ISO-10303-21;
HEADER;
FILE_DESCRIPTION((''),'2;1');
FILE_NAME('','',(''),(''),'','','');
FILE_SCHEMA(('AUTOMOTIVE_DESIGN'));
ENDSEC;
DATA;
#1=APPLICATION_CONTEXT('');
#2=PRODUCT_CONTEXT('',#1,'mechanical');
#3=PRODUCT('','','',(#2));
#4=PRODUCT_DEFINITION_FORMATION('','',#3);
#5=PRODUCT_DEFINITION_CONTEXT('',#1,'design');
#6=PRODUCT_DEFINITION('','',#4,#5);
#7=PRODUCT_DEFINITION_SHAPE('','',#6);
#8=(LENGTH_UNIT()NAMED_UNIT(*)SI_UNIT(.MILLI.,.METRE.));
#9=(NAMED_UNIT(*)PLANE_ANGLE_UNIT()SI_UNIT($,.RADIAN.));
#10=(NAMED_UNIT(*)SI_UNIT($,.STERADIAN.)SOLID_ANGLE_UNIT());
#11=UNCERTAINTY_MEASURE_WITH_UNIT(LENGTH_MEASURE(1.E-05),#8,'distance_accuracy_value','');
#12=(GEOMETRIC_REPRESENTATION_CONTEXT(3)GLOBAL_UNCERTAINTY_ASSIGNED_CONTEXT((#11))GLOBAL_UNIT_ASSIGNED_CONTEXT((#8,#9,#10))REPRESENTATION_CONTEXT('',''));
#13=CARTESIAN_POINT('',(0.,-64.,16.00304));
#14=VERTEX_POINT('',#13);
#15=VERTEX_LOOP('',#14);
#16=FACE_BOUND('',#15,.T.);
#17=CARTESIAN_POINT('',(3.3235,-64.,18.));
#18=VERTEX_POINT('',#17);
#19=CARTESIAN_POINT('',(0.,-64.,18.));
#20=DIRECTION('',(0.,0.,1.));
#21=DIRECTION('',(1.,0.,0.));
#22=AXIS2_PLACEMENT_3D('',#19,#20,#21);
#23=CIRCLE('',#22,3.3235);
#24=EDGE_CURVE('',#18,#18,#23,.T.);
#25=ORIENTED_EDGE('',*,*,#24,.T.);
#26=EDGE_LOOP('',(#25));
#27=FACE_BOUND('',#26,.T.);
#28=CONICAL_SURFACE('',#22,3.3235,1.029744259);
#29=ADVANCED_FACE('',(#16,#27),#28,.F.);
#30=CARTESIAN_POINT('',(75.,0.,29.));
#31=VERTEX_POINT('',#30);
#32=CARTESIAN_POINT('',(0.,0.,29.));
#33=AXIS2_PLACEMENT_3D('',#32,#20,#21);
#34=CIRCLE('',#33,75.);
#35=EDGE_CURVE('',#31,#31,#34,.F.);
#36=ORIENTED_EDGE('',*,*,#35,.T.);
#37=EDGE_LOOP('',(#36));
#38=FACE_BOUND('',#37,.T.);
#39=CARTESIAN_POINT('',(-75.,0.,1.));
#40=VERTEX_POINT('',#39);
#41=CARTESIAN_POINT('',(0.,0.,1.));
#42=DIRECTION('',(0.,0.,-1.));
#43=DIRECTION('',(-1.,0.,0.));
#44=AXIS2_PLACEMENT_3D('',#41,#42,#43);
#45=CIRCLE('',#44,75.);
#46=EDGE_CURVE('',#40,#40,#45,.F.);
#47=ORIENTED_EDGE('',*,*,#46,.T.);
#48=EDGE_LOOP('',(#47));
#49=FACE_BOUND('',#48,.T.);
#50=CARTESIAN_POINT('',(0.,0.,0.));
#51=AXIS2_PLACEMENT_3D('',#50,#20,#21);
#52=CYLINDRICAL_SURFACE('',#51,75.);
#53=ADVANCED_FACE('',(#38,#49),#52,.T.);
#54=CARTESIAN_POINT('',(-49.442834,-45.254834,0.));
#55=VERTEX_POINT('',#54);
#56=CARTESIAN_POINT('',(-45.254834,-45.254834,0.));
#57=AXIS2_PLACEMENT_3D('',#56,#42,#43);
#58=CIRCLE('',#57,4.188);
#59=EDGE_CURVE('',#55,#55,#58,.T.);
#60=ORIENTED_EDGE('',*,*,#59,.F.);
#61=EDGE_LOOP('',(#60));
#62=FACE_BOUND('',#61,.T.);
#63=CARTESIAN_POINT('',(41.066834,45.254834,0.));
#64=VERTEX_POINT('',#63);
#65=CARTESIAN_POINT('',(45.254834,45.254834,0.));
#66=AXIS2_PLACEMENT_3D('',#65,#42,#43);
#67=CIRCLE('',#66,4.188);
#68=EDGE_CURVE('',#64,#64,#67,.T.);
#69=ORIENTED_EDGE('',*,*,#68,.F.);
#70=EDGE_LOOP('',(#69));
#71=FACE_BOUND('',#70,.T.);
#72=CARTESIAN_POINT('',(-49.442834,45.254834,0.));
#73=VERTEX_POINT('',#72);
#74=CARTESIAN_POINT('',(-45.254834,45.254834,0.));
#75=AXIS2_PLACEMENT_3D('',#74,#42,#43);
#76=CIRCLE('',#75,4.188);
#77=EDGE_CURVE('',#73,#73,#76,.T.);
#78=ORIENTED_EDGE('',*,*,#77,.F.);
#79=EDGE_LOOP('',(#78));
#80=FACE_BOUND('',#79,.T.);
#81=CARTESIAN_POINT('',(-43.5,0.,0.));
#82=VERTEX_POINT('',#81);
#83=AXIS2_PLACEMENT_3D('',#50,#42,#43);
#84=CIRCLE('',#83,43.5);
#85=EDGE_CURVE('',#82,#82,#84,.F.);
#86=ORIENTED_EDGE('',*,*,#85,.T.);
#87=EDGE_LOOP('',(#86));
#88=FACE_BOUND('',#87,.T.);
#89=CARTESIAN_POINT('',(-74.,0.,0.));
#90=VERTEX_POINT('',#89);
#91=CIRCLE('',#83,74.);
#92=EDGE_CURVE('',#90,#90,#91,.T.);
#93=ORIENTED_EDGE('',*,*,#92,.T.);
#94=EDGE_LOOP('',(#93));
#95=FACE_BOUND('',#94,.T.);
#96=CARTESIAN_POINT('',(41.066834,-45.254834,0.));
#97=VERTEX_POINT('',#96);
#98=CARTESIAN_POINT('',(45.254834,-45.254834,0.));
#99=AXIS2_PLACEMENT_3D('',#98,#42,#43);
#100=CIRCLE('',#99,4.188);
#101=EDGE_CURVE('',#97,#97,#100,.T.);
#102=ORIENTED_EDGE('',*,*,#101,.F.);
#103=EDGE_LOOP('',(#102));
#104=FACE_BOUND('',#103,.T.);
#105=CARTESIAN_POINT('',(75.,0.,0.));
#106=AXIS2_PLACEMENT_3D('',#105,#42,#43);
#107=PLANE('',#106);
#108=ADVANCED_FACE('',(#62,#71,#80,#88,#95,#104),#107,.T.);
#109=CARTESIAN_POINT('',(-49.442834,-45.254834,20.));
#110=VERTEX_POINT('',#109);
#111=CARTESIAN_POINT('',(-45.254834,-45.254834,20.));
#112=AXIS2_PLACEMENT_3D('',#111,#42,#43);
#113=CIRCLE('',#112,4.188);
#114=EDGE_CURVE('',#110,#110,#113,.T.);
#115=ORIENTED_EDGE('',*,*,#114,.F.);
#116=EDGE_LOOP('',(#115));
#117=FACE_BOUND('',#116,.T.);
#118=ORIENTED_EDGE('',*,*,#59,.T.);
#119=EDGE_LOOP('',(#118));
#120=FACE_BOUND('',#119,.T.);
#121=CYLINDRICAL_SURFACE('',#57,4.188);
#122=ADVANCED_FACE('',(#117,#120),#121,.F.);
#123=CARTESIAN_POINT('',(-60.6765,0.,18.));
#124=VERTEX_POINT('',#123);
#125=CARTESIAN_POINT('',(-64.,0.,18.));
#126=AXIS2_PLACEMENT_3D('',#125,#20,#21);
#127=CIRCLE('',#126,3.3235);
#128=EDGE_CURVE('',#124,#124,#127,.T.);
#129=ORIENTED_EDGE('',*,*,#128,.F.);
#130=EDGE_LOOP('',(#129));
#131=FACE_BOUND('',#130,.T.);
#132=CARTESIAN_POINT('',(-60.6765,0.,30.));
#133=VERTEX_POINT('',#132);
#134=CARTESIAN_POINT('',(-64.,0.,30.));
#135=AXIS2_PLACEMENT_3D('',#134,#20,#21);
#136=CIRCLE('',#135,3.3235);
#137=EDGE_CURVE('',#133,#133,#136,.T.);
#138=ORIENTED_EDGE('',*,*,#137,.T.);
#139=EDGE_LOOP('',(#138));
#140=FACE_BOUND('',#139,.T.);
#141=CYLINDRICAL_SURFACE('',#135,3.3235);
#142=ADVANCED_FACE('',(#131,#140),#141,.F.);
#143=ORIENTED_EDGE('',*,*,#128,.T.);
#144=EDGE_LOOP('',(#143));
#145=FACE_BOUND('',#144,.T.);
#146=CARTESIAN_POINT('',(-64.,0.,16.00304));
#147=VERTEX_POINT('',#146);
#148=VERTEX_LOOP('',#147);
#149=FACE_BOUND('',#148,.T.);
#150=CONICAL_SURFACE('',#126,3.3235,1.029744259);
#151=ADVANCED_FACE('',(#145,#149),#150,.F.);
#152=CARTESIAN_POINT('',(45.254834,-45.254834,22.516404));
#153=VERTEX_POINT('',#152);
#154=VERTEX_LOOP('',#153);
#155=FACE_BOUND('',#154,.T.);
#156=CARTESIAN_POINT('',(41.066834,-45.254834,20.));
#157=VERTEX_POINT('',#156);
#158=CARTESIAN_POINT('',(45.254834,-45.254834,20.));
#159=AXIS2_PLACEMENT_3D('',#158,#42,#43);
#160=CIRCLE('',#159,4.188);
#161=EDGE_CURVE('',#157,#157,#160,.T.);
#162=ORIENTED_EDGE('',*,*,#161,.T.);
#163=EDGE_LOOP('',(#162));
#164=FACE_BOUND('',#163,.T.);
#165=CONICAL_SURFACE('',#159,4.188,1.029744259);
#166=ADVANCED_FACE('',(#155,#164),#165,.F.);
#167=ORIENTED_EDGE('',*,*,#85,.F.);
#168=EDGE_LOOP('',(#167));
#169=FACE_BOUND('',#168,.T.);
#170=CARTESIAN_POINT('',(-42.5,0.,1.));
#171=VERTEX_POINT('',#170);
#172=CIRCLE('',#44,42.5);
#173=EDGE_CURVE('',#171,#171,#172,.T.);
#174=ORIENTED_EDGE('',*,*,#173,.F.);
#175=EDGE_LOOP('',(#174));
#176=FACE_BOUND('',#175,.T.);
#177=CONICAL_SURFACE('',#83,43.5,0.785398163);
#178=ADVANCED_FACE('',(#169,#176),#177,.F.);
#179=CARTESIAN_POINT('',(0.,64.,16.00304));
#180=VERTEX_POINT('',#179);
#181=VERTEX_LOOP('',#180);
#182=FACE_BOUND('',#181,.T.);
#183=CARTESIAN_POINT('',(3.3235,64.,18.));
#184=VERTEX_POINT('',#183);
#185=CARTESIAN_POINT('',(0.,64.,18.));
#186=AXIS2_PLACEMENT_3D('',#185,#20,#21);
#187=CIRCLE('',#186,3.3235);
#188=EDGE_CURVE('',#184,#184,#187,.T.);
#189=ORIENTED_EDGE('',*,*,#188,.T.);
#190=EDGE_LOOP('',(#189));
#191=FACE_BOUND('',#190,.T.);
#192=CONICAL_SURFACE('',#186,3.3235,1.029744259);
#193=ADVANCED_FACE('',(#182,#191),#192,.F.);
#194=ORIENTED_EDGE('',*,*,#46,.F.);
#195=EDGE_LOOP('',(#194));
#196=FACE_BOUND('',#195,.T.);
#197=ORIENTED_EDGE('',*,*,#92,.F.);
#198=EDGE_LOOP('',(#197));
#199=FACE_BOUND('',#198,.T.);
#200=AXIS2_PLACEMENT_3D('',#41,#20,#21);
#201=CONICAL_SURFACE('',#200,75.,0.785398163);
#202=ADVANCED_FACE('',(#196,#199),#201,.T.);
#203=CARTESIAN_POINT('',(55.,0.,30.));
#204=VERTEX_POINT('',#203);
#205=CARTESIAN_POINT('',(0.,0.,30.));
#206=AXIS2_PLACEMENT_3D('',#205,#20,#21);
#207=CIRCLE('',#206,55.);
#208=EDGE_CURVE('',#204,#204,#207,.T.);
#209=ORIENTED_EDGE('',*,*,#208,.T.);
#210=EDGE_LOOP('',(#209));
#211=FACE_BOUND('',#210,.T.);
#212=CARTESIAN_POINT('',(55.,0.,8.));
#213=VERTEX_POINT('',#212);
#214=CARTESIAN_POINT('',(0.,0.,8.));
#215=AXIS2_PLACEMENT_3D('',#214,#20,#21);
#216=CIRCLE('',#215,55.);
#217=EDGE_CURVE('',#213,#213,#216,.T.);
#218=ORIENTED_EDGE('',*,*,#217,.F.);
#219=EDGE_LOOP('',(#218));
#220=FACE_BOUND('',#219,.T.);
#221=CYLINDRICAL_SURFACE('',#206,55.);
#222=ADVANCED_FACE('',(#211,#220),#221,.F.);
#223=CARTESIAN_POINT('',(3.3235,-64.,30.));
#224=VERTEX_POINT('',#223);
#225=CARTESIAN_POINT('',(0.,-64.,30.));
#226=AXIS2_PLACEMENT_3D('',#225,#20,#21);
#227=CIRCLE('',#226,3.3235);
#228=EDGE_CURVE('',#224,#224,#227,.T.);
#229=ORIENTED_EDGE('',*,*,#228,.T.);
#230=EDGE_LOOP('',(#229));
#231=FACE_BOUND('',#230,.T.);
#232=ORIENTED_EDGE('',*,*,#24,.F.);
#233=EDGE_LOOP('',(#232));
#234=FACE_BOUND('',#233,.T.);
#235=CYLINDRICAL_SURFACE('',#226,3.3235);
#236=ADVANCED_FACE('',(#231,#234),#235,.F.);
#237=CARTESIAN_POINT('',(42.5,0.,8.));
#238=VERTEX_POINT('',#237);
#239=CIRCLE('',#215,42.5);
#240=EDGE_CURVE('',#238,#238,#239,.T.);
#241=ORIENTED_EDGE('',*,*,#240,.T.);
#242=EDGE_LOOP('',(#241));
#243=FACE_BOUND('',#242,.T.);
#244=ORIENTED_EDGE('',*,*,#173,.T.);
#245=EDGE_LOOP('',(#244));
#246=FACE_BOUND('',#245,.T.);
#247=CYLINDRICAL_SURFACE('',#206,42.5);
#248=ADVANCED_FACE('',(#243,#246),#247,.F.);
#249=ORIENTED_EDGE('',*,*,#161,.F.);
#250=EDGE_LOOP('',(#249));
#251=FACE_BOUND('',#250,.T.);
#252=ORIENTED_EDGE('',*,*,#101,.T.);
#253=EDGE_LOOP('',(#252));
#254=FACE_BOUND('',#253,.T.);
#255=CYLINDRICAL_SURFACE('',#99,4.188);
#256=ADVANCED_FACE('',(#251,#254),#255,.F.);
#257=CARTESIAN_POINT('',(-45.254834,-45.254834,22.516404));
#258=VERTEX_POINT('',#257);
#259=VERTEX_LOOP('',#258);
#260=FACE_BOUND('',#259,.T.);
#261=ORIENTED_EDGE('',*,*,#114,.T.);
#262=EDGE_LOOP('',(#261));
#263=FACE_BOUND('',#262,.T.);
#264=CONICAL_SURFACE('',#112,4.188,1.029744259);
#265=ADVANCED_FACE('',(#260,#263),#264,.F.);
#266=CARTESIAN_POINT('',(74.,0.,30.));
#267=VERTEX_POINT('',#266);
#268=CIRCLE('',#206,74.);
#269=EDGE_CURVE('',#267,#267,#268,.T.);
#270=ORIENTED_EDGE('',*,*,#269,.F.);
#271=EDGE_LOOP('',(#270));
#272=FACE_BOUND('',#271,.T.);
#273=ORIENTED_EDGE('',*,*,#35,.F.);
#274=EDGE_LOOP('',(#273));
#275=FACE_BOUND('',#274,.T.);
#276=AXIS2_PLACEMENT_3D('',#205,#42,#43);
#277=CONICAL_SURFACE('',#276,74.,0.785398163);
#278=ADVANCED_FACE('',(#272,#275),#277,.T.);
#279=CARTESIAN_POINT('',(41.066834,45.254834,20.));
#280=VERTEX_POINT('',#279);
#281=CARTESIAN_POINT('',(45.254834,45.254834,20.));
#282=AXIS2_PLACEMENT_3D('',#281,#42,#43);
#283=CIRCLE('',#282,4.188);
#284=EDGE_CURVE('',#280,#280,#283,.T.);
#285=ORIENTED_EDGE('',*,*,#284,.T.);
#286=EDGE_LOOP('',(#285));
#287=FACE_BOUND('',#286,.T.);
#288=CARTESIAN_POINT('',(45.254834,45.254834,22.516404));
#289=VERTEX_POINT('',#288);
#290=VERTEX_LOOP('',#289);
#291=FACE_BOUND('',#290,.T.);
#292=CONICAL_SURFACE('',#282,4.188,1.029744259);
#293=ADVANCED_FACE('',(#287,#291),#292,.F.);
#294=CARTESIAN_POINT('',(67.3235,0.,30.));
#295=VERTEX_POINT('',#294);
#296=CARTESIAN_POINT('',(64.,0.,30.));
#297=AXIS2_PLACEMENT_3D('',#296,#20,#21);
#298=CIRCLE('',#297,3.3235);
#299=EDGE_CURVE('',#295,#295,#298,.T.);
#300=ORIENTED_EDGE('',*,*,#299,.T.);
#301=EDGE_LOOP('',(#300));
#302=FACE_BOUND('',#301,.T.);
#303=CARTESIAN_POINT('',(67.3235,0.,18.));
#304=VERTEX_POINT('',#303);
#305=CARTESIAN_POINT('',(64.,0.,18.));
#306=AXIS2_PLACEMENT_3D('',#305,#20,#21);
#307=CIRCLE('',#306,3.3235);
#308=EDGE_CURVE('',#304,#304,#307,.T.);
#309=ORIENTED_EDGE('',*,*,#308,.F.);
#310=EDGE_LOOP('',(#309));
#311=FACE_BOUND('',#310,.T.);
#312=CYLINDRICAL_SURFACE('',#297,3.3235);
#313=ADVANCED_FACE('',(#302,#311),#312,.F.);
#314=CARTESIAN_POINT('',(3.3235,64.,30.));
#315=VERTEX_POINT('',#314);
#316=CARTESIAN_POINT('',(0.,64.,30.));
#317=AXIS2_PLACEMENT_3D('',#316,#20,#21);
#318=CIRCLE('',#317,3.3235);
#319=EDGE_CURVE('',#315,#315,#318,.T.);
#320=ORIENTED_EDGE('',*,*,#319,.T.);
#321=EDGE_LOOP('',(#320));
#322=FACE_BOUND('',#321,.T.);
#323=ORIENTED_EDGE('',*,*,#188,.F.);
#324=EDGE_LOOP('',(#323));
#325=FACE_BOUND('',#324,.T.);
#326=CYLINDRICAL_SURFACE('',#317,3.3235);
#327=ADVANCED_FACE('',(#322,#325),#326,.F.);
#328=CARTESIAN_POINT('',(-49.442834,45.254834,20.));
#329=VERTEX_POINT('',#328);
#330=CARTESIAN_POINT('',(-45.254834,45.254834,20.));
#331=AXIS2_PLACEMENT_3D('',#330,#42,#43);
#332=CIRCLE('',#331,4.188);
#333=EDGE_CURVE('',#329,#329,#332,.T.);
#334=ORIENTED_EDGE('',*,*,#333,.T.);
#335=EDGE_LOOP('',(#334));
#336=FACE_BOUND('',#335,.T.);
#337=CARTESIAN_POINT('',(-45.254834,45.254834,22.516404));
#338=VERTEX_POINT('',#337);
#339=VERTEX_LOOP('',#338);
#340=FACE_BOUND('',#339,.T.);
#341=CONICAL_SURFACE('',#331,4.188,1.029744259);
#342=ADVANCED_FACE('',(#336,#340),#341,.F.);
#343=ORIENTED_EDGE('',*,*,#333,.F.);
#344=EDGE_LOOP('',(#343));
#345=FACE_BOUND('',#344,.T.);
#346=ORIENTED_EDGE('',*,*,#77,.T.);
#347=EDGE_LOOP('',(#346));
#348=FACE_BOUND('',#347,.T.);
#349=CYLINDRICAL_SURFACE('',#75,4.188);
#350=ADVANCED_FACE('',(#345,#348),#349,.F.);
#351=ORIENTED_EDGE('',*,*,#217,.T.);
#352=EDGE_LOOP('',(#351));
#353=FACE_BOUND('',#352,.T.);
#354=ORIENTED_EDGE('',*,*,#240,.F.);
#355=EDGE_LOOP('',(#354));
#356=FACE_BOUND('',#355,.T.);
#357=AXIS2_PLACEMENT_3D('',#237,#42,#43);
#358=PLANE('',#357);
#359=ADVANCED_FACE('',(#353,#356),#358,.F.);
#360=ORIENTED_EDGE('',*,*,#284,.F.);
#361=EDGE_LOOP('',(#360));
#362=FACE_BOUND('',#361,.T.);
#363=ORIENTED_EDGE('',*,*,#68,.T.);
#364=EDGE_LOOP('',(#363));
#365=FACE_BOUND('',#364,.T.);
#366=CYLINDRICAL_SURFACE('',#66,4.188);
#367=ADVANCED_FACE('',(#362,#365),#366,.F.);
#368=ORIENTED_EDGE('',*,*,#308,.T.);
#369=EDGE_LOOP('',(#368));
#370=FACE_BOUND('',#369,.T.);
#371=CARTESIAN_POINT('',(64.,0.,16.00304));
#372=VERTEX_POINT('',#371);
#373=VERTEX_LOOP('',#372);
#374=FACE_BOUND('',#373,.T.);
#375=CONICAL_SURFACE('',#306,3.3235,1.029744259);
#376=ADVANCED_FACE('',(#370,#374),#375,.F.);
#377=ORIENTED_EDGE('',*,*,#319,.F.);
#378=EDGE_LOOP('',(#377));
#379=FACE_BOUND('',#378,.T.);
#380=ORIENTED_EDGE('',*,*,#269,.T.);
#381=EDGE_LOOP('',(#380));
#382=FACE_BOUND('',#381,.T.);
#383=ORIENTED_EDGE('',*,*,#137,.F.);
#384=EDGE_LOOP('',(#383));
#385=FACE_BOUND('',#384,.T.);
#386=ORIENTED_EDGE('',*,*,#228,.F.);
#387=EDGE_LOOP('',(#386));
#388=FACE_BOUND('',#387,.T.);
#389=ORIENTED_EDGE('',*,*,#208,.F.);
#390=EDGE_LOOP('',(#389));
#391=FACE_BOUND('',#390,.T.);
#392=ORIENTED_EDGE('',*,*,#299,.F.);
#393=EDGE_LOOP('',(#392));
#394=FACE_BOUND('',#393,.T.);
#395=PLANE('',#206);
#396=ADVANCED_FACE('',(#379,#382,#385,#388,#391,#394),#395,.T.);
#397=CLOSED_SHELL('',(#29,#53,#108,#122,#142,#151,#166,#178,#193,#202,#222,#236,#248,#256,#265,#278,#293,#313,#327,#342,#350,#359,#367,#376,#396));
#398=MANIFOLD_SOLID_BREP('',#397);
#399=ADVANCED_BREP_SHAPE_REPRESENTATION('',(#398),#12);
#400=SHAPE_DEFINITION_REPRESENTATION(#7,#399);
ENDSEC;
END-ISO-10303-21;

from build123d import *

# Parameters (mm, degrees)
SKETCH1_W                                = 75
SKETCH1_H                                = 30
CBORE_FOR_M80_HEX_HEAD_BOLT1_D           = 85
CBORE_FOR_M80_HEX_HEAD_BOLT1_DEPTH       = 30
CBORE_FOR_M80_HEX_HEAD_BOLT1_CBORE_D     = 110
CBORE_FOR_M80_HEX_HEAD_BOLT1_CBORE_DEPTH = 22
HOLE1_D                                  = 8.376
HOLE1_DEPTH                              = 20
HOLE1_TIP                                = 2.516404272
M6_CLEARANCE_HOLE1_D                     = 6.647
M6_CLEARANCE_HOLE1_DEPTH                 = 12
M6_CLEARANCE_HOLE1_TIP                   = 1.996960267
CHAMFER1_SIZE                            = 1


with BuildPart() as part:
    # Sketch1 → Revolve1 (revolve)
    with BuildSketch(Plane(origin=(0, 0, 0), x_dir=(1, 0, 0), z_dir=(0, 1, 0))):
        with Locations((37.5, -15)):
            Rectangle(SKETCH1_W, SKETCH1_H)
    revolve(axis=Axis((0, 0, 0), (0, 0, 1)))

    # CBORE for M80 Hex Head Bolt1
    with Locations(Plane.XY.offset(30)):
        with Locations((0, 0)):
            CounterBoreHole(CBORE_FOR_M80_HEX_HEAD_BOLT1_D / 2, CBORE_FOR_M80_HEX_HEAD_BOLT1_CBORE_D / 2, CBORE_FOR_M80_HEX_HEAD_BOLT1_CBORE_DEPTH, depth=CBORE_FOR_M80_HEX_HEAD_BOLT1_DEPTH)

    # Hole1
    with Locations(Plane(origin=(0, 0, 0), x_dir=(-1, 0, 0), z_dir=(0, 0, -1))):
        with Locations((45.254833996, 45.254833996), (-45.254833996, 45.254833996), (-45.254833996, -45.254833996), (45.254833996, -45.254833996)):
            Hole(HOLE1_D / 2, depth=HOLE1_DEPTH)
            with Locations((0, 0, -(HOLE1_DEPTH + HOLE1_TIP / 2))):  # 118° drill point
                Cone(0, HOLE1_D / 2, HOLE1_TIP, mode=Mode.SUBTRACT)

    # M6 Clearance Hole1
    with Locations(Plane.XY.offset(30)):
        with Locations((0, 64), (0, -64), (64, 0), (-64, 0)):
            Hole(M6_CLEARANCE_HOLE1_D / 2, depth=M6_CLEARANCE_HOLE1_DEPTH)
            with Locations((0, 0, -(M6_CLEARANCE_HOLE1_DEPTH + M6_CLEARANCE_HOLE1_TIP / 2))):  # 118° drill point
                Cone(0, M6_CLEARANCE_HOLE1_D / 2, M6_CLEARANCE_HOLE1_TIP, mode=Mode.SUBTRACT)

    # Chamfer1
    chamfer1_edges = [part.edges().sort_by_distance(p)[0] for p in [
        (42.5, 0, 0),
        (-75, 0, 30),
        (-75, 0, 0),
    ]]
    chamfer(chamfer1_edges, length=CHAMFER1_SIZE)


solid = part.part
